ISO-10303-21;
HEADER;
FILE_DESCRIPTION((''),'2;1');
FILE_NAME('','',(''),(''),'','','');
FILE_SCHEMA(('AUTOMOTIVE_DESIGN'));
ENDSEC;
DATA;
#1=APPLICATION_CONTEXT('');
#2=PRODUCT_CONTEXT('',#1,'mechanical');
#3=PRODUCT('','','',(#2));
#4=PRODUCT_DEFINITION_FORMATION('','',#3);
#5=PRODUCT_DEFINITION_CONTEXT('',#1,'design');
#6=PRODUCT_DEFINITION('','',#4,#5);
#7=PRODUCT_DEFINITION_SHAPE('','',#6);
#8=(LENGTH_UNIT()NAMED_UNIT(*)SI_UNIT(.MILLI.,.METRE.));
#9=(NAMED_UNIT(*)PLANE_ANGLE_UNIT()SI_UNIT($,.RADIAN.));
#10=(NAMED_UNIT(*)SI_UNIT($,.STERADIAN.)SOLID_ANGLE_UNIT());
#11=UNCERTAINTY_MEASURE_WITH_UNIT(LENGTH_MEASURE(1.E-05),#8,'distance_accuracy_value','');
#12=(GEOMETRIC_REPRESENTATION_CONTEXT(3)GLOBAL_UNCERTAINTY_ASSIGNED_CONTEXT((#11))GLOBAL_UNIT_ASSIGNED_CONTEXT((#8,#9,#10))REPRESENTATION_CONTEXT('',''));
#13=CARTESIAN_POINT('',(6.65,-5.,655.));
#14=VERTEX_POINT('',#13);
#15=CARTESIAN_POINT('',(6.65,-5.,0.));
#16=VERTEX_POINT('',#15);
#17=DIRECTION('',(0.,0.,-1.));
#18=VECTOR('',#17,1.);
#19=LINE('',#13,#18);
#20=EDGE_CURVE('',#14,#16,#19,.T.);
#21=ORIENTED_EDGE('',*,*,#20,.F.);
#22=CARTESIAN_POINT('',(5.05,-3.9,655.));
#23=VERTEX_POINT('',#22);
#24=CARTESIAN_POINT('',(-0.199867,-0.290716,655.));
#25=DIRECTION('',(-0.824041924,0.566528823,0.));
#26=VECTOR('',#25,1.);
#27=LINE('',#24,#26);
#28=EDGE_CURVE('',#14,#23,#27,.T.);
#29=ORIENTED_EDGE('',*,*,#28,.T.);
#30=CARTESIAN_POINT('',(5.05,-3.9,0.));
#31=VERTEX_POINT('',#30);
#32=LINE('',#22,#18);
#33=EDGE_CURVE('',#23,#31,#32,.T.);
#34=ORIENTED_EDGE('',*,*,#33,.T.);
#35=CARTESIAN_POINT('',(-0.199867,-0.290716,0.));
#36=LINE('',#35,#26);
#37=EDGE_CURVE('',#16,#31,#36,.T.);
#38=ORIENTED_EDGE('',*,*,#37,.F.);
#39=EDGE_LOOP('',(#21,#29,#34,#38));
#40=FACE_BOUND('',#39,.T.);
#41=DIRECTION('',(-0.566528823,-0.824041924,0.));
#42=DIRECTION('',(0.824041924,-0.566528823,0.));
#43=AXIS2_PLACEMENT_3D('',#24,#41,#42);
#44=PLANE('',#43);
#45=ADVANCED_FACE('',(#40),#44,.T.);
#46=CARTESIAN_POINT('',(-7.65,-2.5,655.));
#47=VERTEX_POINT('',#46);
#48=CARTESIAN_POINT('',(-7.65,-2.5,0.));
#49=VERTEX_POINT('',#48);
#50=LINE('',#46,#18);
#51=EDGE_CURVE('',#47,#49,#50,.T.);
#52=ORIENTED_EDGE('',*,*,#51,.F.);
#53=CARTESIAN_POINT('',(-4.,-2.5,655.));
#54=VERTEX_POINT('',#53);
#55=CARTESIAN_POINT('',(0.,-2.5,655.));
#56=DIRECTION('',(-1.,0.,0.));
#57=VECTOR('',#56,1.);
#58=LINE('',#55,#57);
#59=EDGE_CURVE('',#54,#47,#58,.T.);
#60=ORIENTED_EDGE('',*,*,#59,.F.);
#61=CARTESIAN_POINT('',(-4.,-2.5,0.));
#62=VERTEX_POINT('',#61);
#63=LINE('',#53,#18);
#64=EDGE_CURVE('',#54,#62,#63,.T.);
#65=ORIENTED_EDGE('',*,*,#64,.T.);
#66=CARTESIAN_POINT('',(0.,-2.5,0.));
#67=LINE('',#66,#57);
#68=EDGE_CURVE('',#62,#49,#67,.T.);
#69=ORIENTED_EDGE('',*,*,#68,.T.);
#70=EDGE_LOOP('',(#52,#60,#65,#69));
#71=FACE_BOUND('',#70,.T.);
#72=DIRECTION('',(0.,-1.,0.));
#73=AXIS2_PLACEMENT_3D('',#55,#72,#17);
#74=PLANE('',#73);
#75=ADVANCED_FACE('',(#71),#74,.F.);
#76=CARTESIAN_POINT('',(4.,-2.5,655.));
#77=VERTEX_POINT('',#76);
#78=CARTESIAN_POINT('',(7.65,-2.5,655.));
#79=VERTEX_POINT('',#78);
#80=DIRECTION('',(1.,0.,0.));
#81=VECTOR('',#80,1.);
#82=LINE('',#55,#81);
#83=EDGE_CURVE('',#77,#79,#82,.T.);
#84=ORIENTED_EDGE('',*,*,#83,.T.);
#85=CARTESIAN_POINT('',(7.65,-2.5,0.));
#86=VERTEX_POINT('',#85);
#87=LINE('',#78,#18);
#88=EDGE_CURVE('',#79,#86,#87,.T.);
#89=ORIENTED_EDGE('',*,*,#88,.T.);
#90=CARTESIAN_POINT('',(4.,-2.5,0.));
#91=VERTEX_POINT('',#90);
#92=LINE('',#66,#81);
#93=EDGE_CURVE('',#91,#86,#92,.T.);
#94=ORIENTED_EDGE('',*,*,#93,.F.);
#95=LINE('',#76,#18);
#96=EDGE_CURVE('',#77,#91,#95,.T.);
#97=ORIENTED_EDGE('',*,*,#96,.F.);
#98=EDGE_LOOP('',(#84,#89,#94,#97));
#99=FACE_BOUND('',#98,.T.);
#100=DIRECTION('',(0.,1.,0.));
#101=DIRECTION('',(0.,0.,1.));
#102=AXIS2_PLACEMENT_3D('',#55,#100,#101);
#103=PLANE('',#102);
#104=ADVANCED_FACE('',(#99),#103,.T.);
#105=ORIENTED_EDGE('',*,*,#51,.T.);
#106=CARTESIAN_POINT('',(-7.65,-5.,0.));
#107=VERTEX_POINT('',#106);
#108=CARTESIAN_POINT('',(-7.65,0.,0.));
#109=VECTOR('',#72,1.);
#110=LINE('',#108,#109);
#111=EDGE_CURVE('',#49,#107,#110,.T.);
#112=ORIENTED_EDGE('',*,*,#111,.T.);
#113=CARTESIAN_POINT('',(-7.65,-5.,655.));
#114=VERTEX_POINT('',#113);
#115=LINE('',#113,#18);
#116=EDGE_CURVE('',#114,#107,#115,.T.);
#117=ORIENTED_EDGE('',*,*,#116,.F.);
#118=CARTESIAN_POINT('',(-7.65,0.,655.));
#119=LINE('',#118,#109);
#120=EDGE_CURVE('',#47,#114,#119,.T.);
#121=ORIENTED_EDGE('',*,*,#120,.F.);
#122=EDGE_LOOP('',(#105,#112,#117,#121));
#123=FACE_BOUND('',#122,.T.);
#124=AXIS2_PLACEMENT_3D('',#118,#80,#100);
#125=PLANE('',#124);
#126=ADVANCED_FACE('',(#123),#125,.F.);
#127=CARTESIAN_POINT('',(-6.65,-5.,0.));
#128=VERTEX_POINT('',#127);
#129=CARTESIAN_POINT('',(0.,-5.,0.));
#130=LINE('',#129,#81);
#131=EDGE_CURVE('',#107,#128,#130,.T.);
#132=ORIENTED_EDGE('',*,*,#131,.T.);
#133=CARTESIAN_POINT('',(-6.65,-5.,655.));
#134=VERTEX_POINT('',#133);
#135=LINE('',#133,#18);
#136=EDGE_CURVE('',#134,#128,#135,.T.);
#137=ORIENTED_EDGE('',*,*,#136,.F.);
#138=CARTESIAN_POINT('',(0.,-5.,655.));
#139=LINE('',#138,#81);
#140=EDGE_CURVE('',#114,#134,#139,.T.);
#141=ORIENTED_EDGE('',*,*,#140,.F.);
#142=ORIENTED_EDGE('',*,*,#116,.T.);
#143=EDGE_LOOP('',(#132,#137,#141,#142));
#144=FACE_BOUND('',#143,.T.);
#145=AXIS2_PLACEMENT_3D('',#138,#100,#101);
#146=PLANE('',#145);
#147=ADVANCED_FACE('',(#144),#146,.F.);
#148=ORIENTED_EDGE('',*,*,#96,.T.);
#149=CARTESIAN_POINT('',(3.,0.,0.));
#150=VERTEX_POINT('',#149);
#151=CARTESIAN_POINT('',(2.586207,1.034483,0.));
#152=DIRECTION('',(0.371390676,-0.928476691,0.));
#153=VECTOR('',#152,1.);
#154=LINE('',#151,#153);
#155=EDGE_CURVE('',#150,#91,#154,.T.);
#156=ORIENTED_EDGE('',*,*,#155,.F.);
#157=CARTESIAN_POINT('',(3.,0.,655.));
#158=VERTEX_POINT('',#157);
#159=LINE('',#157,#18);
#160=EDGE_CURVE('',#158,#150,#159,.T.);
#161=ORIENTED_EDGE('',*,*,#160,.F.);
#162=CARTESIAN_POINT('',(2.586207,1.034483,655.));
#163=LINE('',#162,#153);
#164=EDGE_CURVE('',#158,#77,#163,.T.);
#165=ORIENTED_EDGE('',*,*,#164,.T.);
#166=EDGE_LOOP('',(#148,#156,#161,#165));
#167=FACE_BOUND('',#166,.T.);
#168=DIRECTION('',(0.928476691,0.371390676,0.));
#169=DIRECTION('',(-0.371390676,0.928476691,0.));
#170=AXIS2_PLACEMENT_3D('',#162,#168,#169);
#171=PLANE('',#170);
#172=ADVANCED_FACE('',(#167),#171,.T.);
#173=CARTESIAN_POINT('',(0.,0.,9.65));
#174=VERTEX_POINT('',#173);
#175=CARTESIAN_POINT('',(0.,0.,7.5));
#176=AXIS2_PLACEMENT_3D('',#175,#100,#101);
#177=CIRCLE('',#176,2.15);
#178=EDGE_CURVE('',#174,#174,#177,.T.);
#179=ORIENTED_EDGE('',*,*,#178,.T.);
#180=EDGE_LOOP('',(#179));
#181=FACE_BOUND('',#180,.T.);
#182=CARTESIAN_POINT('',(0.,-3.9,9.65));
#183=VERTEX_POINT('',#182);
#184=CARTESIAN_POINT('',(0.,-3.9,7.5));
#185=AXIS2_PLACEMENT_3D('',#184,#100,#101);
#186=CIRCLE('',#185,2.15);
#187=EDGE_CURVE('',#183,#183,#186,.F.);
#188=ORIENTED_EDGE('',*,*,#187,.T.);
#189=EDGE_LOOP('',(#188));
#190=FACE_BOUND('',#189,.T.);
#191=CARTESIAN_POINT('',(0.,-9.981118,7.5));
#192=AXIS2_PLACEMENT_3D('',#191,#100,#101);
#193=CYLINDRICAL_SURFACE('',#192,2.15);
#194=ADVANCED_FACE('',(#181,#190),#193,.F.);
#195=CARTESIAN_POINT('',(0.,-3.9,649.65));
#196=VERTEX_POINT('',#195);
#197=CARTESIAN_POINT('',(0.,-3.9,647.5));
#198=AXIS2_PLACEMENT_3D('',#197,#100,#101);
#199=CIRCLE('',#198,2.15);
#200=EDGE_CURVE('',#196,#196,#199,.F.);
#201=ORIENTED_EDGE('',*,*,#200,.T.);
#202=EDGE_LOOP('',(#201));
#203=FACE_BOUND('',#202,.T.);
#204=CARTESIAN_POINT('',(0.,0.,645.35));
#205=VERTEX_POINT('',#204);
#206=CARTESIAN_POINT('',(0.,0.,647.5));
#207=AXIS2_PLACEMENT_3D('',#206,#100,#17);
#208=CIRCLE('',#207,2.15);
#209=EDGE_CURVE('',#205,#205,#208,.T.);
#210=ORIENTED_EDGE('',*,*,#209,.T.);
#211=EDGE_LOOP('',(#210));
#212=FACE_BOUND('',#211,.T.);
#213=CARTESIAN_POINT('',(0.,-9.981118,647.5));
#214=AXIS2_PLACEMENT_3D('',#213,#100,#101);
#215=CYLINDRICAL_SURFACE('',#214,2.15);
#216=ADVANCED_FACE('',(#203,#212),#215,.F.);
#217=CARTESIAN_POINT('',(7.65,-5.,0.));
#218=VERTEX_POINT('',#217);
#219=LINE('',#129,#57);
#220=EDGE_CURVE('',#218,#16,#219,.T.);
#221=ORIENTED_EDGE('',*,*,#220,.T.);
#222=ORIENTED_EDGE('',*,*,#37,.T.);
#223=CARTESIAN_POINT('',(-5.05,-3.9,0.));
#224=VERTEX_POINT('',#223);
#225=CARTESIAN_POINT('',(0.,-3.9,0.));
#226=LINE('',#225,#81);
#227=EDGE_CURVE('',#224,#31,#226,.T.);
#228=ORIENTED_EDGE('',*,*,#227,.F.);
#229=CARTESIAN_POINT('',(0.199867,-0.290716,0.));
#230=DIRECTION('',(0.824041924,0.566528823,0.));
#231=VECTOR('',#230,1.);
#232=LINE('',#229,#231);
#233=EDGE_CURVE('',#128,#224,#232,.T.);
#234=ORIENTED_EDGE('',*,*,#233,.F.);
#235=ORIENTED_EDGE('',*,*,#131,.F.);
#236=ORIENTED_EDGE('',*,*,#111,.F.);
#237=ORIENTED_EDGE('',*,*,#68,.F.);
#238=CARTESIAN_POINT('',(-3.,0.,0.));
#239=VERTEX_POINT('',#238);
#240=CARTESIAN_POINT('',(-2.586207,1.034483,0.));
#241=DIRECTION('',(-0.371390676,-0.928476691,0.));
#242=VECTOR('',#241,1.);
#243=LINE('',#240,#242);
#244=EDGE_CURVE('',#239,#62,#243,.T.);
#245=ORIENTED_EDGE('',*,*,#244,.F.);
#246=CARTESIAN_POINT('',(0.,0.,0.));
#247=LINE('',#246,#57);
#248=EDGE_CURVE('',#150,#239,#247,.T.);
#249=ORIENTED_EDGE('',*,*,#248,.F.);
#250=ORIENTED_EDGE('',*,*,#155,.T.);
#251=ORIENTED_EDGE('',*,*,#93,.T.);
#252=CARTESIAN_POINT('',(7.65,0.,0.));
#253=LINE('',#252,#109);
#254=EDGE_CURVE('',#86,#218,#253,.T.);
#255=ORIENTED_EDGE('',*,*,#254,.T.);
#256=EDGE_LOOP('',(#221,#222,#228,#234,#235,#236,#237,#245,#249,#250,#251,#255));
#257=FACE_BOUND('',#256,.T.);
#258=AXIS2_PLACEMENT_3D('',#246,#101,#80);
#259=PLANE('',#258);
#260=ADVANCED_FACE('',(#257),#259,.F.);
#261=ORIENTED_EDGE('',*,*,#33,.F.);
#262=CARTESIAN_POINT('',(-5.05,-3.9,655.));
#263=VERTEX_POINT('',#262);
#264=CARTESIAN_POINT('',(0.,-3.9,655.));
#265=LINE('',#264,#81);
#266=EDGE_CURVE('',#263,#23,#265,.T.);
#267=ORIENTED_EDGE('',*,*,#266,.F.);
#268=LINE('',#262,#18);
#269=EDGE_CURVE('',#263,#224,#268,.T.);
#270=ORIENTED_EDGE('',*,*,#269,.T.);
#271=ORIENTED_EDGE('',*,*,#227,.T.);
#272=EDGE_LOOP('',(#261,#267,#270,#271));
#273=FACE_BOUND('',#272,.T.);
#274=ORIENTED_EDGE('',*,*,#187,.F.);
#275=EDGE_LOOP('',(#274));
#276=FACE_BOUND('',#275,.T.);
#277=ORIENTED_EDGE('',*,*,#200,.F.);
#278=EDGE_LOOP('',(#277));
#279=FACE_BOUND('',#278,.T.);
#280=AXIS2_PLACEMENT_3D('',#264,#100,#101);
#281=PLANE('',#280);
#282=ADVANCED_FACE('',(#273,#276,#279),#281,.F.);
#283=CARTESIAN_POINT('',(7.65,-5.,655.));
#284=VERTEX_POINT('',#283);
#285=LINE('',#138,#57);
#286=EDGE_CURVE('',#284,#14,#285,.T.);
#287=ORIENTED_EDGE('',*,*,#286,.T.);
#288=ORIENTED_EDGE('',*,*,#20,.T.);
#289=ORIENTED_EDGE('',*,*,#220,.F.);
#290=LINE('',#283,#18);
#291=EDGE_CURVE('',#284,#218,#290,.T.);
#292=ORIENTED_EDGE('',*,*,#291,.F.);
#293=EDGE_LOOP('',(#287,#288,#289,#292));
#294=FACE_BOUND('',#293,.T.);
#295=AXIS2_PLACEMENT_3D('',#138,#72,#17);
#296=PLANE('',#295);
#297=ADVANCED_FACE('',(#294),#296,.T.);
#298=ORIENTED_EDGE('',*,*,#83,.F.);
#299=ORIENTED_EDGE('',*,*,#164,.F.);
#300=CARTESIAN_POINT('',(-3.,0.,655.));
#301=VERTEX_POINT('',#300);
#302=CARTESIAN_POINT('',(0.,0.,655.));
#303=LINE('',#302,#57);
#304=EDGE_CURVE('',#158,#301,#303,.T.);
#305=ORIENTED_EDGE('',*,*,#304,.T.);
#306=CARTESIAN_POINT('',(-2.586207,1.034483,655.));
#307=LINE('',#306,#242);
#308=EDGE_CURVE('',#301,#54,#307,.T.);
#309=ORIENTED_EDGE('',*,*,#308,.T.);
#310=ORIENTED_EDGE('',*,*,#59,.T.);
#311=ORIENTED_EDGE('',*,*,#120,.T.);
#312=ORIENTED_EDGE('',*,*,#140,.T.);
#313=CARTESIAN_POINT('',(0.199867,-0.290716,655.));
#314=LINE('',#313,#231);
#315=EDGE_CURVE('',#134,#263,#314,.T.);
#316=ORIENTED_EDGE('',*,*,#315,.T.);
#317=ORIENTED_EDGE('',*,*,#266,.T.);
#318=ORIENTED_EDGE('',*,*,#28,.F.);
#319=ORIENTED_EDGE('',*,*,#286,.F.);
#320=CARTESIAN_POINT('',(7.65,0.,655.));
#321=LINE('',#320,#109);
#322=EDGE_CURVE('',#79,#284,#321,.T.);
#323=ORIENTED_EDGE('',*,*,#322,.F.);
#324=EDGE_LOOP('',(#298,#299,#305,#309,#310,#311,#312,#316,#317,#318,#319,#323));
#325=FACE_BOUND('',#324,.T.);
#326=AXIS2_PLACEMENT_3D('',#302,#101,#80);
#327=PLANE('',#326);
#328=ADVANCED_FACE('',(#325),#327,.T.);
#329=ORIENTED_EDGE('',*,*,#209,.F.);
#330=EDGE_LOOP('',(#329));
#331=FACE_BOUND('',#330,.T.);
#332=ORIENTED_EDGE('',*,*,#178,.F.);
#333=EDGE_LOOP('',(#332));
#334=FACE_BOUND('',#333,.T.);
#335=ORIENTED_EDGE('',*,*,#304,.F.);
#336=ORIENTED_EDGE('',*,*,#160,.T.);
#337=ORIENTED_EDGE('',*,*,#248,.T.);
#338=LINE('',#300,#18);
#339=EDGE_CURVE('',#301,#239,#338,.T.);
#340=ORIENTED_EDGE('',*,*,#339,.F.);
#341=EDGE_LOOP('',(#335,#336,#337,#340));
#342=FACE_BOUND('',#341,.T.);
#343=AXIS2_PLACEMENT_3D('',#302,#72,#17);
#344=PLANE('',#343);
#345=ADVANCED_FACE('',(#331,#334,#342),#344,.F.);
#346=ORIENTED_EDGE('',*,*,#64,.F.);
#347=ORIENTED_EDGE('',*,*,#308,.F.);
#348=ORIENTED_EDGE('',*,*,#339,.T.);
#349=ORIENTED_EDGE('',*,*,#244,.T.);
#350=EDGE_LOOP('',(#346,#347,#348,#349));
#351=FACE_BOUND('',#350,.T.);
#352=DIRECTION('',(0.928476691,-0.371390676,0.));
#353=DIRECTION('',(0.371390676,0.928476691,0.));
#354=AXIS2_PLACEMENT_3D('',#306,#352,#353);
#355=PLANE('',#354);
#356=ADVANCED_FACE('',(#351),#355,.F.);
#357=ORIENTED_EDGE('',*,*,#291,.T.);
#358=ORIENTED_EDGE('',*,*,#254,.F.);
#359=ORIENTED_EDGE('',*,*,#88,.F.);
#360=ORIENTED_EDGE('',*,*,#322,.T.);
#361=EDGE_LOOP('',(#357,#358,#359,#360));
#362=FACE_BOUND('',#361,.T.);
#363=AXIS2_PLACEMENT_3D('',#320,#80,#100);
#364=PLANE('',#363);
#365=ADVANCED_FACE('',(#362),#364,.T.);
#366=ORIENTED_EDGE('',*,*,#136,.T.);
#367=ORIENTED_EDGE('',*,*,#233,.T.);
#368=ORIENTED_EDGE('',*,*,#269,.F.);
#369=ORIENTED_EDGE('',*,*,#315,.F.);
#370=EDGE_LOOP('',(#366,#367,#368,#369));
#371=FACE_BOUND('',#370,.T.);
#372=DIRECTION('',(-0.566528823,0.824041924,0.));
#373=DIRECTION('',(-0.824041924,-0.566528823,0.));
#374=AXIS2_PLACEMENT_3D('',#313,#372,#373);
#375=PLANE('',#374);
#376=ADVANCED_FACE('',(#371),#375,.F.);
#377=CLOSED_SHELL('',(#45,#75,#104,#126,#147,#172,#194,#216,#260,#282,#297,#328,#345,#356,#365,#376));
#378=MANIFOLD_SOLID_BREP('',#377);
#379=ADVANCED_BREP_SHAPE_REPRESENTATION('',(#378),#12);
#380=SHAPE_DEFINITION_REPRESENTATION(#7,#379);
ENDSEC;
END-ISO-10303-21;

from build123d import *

# Parameters (mm, degrees)
EXTRUDE_1_DEPTH     = 655
SKETCH_2_R          = 2.15
CUT_EXTRUDE_1_DEPTH = 3.9


with BuildPart() as part:
    # ｽｹｯﾁ1 → ﾎﾞｽ - 押し出し1 (new body)
    with BuildSketch(Plane.XY):
        Polygon((4, -2.5), (3, 0), (0, 0), (0, -3.9), (5.05, -3.9), (6.65, -5), (7.65, -5), (7.65, -2.5), align=None)
        Polygon((0, -3.9), (0, 0), (-3, 0), (-4, -2.5), (-7.65, -2.5), (-7.65, -5), (-6.65, -5), (-5.05, -3.9), align=None)
    extrude(amount=EXTRUDE_1_DEPTH)

    # ｽｹｯﾁ2 → ｶｯﾄ - 押し出し1 (cut)
    with BuildSketch(Plane(origin=(0, 0, 0), x_dir=(1, 0, 0), z_dir=(0, 1, 0))):
        with Locations(Location((0, -7.5, 0), (0, 0, 270))):
            Circle(SKETCH_2_R)
        with Locations(Location((0, -647.5, 0), (0, 0, 270))):
            Circle(SKETCH_2_R)
    extrude(amount=-CUT_EXTRUDE_1_DEPTH, mode=Mode.SUBTRACT)


solid = part.part
